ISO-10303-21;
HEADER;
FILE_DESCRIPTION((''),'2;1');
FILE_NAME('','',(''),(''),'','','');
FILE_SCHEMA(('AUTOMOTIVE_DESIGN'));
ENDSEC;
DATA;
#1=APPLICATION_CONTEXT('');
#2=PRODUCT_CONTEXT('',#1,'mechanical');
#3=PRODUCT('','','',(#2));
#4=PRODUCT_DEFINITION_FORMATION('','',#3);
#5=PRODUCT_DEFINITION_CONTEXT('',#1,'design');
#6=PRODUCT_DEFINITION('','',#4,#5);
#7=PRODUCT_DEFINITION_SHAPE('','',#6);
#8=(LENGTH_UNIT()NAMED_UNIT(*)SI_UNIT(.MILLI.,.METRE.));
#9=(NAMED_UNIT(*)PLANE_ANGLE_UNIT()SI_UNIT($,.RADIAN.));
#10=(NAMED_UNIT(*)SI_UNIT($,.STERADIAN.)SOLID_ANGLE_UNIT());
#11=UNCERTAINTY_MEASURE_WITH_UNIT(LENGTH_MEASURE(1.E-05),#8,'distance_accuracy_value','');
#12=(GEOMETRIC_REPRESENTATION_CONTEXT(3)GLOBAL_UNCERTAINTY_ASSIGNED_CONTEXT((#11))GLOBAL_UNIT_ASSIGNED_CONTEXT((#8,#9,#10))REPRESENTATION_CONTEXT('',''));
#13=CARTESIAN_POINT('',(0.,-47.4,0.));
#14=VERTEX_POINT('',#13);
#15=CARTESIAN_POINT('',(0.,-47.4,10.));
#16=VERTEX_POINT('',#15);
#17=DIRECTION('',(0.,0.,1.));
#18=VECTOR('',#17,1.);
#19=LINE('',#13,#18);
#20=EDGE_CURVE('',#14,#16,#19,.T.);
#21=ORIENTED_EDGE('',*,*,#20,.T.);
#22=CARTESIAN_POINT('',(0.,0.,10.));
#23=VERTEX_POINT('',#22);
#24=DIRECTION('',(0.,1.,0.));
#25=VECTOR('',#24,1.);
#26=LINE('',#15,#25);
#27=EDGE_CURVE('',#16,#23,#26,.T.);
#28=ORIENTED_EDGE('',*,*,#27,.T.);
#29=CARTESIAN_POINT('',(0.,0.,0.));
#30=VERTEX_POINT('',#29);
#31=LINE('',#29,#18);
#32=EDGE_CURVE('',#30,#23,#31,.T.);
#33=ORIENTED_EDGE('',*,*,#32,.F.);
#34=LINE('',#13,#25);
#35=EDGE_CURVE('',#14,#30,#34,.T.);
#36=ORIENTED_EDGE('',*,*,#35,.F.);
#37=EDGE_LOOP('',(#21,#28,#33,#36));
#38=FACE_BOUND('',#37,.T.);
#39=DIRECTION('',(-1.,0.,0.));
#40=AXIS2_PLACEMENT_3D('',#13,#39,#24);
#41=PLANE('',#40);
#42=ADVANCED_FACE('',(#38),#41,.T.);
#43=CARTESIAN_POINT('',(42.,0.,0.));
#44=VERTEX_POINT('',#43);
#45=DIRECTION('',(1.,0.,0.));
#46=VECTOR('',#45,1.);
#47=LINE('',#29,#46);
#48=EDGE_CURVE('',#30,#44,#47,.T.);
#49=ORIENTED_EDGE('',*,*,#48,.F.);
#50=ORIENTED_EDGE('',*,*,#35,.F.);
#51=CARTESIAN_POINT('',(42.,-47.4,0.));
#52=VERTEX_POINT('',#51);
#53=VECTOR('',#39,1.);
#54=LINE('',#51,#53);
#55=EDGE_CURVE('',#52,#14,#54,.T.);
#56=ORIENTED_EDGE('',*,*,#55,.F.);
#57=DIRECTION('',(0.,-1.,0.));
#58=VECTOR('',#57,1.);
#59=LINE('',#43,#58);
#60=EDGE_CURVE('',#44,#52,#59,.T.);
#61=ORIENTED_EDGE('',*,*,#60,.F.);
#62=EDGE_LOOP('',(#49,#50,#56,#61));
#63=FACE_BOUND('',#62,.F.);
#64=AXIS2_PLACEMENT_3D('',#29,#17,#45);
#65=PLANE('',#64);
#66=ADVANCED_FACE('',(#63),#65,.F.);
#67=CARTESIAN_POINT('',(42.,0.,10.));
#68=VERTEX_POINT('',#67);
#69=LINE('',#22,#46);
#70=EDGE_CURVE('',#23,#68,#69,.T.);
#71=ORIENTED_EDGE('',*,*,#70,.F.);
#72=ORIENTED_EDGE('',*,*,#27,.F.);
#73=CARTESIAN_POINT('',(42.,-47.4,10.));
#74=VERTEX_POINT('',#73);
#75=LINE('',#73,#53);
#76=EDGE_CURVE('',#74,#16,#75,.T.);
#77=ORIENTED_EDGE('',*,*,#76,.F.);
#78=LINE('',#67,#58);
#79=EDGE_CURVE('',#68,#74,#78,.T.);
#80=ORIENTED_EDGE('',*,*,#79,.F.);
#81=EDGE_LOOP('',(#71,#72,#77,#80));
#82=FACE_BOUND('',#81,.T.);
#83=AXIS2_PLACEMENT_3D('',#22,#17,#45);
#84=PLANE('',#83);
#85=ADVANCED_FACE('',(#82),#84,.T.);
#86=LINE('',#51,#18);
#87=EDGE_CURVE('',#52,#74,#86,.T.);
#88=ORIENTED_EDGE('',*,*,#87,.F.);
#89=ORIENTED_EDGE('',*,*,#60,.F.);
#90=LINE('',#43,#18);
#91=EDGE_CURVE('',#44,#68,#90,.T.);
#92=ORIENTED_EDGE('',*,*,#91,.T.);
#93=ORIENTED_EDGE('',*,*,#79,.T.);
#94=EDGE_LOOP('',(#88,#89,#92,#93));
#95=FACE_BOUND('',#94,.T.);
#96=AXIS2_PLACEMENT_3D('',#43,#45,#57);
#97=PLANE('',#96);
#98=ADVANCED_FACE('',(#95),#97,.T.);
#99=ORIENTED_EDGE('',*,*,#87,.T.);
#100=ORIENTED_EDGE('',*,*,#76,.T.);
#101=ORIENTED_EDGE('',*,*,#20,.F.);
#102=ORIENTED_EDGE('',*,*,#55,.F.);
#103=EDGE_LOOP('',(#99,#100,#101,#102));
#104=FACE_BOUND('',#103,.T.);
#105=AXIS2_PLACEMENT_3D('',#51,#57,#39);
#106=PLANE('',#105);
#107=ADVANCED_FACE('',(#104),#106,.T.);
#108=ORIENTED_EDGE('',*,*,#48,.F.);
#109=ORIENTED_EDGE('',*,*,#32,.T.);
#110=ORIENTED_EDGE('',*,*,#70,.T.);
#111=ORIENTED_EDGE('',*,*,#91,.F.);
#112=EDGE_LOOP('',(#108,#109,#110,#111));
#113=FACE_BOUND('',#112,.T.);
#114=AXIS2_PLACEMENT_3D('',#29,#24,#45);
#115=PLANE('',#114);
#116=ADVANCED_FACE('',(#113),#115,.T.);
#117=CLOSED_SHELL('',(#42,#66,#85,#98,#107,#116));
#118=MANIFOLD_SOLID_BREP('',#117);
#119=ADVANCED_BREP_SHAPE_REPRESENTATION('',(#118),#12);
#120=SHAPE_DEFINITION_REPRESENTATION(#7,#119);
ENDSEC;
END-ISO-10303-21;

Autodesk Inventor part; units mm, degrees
ref_plane "YZ Plane" through (0, 0, 0) normal (1, 0, 0) x (0, 1, 0)
ref_plane "XZ Plane" through (0, 0, 0) normal (0, 1, 0) x (-1, 0, 0)
ref_plane "XY Plane" through (0, 0, 0) normal (0, 0, 1) x (1, 0, 0)
sketch "Sketch1" plane through (0, 0, 0) normal (0, 0, 1) x (1, 0, 0)
  line L0 (6, -6) -> (36, -6) construction
  line L1 (36, -6) -> (36, -47.4) construction
  line L2 (36, -47.4) -> (6, -47.4) construction
  line L3 (6, -47.4) -> (6, -6) construction
  line L4 (0, 0) -> (42, 0)
  line L5 (42, 0) -> (42, -47.4)
  line L6 (42, -47.4) -> (0, -47.4)
  line L7 (0, -47.4) -> (0, 0)
  dimension "d0" = 30
  dimension "d1" = 41.4
  dimension "d2" = 6
  dimension "d3" = 6
  dimension "d4" = 6
extrude "Extrusion1" add sketch "Sketch1" along normal blind 10
properties part number "Convex Organ Bank Sensor Slot"
